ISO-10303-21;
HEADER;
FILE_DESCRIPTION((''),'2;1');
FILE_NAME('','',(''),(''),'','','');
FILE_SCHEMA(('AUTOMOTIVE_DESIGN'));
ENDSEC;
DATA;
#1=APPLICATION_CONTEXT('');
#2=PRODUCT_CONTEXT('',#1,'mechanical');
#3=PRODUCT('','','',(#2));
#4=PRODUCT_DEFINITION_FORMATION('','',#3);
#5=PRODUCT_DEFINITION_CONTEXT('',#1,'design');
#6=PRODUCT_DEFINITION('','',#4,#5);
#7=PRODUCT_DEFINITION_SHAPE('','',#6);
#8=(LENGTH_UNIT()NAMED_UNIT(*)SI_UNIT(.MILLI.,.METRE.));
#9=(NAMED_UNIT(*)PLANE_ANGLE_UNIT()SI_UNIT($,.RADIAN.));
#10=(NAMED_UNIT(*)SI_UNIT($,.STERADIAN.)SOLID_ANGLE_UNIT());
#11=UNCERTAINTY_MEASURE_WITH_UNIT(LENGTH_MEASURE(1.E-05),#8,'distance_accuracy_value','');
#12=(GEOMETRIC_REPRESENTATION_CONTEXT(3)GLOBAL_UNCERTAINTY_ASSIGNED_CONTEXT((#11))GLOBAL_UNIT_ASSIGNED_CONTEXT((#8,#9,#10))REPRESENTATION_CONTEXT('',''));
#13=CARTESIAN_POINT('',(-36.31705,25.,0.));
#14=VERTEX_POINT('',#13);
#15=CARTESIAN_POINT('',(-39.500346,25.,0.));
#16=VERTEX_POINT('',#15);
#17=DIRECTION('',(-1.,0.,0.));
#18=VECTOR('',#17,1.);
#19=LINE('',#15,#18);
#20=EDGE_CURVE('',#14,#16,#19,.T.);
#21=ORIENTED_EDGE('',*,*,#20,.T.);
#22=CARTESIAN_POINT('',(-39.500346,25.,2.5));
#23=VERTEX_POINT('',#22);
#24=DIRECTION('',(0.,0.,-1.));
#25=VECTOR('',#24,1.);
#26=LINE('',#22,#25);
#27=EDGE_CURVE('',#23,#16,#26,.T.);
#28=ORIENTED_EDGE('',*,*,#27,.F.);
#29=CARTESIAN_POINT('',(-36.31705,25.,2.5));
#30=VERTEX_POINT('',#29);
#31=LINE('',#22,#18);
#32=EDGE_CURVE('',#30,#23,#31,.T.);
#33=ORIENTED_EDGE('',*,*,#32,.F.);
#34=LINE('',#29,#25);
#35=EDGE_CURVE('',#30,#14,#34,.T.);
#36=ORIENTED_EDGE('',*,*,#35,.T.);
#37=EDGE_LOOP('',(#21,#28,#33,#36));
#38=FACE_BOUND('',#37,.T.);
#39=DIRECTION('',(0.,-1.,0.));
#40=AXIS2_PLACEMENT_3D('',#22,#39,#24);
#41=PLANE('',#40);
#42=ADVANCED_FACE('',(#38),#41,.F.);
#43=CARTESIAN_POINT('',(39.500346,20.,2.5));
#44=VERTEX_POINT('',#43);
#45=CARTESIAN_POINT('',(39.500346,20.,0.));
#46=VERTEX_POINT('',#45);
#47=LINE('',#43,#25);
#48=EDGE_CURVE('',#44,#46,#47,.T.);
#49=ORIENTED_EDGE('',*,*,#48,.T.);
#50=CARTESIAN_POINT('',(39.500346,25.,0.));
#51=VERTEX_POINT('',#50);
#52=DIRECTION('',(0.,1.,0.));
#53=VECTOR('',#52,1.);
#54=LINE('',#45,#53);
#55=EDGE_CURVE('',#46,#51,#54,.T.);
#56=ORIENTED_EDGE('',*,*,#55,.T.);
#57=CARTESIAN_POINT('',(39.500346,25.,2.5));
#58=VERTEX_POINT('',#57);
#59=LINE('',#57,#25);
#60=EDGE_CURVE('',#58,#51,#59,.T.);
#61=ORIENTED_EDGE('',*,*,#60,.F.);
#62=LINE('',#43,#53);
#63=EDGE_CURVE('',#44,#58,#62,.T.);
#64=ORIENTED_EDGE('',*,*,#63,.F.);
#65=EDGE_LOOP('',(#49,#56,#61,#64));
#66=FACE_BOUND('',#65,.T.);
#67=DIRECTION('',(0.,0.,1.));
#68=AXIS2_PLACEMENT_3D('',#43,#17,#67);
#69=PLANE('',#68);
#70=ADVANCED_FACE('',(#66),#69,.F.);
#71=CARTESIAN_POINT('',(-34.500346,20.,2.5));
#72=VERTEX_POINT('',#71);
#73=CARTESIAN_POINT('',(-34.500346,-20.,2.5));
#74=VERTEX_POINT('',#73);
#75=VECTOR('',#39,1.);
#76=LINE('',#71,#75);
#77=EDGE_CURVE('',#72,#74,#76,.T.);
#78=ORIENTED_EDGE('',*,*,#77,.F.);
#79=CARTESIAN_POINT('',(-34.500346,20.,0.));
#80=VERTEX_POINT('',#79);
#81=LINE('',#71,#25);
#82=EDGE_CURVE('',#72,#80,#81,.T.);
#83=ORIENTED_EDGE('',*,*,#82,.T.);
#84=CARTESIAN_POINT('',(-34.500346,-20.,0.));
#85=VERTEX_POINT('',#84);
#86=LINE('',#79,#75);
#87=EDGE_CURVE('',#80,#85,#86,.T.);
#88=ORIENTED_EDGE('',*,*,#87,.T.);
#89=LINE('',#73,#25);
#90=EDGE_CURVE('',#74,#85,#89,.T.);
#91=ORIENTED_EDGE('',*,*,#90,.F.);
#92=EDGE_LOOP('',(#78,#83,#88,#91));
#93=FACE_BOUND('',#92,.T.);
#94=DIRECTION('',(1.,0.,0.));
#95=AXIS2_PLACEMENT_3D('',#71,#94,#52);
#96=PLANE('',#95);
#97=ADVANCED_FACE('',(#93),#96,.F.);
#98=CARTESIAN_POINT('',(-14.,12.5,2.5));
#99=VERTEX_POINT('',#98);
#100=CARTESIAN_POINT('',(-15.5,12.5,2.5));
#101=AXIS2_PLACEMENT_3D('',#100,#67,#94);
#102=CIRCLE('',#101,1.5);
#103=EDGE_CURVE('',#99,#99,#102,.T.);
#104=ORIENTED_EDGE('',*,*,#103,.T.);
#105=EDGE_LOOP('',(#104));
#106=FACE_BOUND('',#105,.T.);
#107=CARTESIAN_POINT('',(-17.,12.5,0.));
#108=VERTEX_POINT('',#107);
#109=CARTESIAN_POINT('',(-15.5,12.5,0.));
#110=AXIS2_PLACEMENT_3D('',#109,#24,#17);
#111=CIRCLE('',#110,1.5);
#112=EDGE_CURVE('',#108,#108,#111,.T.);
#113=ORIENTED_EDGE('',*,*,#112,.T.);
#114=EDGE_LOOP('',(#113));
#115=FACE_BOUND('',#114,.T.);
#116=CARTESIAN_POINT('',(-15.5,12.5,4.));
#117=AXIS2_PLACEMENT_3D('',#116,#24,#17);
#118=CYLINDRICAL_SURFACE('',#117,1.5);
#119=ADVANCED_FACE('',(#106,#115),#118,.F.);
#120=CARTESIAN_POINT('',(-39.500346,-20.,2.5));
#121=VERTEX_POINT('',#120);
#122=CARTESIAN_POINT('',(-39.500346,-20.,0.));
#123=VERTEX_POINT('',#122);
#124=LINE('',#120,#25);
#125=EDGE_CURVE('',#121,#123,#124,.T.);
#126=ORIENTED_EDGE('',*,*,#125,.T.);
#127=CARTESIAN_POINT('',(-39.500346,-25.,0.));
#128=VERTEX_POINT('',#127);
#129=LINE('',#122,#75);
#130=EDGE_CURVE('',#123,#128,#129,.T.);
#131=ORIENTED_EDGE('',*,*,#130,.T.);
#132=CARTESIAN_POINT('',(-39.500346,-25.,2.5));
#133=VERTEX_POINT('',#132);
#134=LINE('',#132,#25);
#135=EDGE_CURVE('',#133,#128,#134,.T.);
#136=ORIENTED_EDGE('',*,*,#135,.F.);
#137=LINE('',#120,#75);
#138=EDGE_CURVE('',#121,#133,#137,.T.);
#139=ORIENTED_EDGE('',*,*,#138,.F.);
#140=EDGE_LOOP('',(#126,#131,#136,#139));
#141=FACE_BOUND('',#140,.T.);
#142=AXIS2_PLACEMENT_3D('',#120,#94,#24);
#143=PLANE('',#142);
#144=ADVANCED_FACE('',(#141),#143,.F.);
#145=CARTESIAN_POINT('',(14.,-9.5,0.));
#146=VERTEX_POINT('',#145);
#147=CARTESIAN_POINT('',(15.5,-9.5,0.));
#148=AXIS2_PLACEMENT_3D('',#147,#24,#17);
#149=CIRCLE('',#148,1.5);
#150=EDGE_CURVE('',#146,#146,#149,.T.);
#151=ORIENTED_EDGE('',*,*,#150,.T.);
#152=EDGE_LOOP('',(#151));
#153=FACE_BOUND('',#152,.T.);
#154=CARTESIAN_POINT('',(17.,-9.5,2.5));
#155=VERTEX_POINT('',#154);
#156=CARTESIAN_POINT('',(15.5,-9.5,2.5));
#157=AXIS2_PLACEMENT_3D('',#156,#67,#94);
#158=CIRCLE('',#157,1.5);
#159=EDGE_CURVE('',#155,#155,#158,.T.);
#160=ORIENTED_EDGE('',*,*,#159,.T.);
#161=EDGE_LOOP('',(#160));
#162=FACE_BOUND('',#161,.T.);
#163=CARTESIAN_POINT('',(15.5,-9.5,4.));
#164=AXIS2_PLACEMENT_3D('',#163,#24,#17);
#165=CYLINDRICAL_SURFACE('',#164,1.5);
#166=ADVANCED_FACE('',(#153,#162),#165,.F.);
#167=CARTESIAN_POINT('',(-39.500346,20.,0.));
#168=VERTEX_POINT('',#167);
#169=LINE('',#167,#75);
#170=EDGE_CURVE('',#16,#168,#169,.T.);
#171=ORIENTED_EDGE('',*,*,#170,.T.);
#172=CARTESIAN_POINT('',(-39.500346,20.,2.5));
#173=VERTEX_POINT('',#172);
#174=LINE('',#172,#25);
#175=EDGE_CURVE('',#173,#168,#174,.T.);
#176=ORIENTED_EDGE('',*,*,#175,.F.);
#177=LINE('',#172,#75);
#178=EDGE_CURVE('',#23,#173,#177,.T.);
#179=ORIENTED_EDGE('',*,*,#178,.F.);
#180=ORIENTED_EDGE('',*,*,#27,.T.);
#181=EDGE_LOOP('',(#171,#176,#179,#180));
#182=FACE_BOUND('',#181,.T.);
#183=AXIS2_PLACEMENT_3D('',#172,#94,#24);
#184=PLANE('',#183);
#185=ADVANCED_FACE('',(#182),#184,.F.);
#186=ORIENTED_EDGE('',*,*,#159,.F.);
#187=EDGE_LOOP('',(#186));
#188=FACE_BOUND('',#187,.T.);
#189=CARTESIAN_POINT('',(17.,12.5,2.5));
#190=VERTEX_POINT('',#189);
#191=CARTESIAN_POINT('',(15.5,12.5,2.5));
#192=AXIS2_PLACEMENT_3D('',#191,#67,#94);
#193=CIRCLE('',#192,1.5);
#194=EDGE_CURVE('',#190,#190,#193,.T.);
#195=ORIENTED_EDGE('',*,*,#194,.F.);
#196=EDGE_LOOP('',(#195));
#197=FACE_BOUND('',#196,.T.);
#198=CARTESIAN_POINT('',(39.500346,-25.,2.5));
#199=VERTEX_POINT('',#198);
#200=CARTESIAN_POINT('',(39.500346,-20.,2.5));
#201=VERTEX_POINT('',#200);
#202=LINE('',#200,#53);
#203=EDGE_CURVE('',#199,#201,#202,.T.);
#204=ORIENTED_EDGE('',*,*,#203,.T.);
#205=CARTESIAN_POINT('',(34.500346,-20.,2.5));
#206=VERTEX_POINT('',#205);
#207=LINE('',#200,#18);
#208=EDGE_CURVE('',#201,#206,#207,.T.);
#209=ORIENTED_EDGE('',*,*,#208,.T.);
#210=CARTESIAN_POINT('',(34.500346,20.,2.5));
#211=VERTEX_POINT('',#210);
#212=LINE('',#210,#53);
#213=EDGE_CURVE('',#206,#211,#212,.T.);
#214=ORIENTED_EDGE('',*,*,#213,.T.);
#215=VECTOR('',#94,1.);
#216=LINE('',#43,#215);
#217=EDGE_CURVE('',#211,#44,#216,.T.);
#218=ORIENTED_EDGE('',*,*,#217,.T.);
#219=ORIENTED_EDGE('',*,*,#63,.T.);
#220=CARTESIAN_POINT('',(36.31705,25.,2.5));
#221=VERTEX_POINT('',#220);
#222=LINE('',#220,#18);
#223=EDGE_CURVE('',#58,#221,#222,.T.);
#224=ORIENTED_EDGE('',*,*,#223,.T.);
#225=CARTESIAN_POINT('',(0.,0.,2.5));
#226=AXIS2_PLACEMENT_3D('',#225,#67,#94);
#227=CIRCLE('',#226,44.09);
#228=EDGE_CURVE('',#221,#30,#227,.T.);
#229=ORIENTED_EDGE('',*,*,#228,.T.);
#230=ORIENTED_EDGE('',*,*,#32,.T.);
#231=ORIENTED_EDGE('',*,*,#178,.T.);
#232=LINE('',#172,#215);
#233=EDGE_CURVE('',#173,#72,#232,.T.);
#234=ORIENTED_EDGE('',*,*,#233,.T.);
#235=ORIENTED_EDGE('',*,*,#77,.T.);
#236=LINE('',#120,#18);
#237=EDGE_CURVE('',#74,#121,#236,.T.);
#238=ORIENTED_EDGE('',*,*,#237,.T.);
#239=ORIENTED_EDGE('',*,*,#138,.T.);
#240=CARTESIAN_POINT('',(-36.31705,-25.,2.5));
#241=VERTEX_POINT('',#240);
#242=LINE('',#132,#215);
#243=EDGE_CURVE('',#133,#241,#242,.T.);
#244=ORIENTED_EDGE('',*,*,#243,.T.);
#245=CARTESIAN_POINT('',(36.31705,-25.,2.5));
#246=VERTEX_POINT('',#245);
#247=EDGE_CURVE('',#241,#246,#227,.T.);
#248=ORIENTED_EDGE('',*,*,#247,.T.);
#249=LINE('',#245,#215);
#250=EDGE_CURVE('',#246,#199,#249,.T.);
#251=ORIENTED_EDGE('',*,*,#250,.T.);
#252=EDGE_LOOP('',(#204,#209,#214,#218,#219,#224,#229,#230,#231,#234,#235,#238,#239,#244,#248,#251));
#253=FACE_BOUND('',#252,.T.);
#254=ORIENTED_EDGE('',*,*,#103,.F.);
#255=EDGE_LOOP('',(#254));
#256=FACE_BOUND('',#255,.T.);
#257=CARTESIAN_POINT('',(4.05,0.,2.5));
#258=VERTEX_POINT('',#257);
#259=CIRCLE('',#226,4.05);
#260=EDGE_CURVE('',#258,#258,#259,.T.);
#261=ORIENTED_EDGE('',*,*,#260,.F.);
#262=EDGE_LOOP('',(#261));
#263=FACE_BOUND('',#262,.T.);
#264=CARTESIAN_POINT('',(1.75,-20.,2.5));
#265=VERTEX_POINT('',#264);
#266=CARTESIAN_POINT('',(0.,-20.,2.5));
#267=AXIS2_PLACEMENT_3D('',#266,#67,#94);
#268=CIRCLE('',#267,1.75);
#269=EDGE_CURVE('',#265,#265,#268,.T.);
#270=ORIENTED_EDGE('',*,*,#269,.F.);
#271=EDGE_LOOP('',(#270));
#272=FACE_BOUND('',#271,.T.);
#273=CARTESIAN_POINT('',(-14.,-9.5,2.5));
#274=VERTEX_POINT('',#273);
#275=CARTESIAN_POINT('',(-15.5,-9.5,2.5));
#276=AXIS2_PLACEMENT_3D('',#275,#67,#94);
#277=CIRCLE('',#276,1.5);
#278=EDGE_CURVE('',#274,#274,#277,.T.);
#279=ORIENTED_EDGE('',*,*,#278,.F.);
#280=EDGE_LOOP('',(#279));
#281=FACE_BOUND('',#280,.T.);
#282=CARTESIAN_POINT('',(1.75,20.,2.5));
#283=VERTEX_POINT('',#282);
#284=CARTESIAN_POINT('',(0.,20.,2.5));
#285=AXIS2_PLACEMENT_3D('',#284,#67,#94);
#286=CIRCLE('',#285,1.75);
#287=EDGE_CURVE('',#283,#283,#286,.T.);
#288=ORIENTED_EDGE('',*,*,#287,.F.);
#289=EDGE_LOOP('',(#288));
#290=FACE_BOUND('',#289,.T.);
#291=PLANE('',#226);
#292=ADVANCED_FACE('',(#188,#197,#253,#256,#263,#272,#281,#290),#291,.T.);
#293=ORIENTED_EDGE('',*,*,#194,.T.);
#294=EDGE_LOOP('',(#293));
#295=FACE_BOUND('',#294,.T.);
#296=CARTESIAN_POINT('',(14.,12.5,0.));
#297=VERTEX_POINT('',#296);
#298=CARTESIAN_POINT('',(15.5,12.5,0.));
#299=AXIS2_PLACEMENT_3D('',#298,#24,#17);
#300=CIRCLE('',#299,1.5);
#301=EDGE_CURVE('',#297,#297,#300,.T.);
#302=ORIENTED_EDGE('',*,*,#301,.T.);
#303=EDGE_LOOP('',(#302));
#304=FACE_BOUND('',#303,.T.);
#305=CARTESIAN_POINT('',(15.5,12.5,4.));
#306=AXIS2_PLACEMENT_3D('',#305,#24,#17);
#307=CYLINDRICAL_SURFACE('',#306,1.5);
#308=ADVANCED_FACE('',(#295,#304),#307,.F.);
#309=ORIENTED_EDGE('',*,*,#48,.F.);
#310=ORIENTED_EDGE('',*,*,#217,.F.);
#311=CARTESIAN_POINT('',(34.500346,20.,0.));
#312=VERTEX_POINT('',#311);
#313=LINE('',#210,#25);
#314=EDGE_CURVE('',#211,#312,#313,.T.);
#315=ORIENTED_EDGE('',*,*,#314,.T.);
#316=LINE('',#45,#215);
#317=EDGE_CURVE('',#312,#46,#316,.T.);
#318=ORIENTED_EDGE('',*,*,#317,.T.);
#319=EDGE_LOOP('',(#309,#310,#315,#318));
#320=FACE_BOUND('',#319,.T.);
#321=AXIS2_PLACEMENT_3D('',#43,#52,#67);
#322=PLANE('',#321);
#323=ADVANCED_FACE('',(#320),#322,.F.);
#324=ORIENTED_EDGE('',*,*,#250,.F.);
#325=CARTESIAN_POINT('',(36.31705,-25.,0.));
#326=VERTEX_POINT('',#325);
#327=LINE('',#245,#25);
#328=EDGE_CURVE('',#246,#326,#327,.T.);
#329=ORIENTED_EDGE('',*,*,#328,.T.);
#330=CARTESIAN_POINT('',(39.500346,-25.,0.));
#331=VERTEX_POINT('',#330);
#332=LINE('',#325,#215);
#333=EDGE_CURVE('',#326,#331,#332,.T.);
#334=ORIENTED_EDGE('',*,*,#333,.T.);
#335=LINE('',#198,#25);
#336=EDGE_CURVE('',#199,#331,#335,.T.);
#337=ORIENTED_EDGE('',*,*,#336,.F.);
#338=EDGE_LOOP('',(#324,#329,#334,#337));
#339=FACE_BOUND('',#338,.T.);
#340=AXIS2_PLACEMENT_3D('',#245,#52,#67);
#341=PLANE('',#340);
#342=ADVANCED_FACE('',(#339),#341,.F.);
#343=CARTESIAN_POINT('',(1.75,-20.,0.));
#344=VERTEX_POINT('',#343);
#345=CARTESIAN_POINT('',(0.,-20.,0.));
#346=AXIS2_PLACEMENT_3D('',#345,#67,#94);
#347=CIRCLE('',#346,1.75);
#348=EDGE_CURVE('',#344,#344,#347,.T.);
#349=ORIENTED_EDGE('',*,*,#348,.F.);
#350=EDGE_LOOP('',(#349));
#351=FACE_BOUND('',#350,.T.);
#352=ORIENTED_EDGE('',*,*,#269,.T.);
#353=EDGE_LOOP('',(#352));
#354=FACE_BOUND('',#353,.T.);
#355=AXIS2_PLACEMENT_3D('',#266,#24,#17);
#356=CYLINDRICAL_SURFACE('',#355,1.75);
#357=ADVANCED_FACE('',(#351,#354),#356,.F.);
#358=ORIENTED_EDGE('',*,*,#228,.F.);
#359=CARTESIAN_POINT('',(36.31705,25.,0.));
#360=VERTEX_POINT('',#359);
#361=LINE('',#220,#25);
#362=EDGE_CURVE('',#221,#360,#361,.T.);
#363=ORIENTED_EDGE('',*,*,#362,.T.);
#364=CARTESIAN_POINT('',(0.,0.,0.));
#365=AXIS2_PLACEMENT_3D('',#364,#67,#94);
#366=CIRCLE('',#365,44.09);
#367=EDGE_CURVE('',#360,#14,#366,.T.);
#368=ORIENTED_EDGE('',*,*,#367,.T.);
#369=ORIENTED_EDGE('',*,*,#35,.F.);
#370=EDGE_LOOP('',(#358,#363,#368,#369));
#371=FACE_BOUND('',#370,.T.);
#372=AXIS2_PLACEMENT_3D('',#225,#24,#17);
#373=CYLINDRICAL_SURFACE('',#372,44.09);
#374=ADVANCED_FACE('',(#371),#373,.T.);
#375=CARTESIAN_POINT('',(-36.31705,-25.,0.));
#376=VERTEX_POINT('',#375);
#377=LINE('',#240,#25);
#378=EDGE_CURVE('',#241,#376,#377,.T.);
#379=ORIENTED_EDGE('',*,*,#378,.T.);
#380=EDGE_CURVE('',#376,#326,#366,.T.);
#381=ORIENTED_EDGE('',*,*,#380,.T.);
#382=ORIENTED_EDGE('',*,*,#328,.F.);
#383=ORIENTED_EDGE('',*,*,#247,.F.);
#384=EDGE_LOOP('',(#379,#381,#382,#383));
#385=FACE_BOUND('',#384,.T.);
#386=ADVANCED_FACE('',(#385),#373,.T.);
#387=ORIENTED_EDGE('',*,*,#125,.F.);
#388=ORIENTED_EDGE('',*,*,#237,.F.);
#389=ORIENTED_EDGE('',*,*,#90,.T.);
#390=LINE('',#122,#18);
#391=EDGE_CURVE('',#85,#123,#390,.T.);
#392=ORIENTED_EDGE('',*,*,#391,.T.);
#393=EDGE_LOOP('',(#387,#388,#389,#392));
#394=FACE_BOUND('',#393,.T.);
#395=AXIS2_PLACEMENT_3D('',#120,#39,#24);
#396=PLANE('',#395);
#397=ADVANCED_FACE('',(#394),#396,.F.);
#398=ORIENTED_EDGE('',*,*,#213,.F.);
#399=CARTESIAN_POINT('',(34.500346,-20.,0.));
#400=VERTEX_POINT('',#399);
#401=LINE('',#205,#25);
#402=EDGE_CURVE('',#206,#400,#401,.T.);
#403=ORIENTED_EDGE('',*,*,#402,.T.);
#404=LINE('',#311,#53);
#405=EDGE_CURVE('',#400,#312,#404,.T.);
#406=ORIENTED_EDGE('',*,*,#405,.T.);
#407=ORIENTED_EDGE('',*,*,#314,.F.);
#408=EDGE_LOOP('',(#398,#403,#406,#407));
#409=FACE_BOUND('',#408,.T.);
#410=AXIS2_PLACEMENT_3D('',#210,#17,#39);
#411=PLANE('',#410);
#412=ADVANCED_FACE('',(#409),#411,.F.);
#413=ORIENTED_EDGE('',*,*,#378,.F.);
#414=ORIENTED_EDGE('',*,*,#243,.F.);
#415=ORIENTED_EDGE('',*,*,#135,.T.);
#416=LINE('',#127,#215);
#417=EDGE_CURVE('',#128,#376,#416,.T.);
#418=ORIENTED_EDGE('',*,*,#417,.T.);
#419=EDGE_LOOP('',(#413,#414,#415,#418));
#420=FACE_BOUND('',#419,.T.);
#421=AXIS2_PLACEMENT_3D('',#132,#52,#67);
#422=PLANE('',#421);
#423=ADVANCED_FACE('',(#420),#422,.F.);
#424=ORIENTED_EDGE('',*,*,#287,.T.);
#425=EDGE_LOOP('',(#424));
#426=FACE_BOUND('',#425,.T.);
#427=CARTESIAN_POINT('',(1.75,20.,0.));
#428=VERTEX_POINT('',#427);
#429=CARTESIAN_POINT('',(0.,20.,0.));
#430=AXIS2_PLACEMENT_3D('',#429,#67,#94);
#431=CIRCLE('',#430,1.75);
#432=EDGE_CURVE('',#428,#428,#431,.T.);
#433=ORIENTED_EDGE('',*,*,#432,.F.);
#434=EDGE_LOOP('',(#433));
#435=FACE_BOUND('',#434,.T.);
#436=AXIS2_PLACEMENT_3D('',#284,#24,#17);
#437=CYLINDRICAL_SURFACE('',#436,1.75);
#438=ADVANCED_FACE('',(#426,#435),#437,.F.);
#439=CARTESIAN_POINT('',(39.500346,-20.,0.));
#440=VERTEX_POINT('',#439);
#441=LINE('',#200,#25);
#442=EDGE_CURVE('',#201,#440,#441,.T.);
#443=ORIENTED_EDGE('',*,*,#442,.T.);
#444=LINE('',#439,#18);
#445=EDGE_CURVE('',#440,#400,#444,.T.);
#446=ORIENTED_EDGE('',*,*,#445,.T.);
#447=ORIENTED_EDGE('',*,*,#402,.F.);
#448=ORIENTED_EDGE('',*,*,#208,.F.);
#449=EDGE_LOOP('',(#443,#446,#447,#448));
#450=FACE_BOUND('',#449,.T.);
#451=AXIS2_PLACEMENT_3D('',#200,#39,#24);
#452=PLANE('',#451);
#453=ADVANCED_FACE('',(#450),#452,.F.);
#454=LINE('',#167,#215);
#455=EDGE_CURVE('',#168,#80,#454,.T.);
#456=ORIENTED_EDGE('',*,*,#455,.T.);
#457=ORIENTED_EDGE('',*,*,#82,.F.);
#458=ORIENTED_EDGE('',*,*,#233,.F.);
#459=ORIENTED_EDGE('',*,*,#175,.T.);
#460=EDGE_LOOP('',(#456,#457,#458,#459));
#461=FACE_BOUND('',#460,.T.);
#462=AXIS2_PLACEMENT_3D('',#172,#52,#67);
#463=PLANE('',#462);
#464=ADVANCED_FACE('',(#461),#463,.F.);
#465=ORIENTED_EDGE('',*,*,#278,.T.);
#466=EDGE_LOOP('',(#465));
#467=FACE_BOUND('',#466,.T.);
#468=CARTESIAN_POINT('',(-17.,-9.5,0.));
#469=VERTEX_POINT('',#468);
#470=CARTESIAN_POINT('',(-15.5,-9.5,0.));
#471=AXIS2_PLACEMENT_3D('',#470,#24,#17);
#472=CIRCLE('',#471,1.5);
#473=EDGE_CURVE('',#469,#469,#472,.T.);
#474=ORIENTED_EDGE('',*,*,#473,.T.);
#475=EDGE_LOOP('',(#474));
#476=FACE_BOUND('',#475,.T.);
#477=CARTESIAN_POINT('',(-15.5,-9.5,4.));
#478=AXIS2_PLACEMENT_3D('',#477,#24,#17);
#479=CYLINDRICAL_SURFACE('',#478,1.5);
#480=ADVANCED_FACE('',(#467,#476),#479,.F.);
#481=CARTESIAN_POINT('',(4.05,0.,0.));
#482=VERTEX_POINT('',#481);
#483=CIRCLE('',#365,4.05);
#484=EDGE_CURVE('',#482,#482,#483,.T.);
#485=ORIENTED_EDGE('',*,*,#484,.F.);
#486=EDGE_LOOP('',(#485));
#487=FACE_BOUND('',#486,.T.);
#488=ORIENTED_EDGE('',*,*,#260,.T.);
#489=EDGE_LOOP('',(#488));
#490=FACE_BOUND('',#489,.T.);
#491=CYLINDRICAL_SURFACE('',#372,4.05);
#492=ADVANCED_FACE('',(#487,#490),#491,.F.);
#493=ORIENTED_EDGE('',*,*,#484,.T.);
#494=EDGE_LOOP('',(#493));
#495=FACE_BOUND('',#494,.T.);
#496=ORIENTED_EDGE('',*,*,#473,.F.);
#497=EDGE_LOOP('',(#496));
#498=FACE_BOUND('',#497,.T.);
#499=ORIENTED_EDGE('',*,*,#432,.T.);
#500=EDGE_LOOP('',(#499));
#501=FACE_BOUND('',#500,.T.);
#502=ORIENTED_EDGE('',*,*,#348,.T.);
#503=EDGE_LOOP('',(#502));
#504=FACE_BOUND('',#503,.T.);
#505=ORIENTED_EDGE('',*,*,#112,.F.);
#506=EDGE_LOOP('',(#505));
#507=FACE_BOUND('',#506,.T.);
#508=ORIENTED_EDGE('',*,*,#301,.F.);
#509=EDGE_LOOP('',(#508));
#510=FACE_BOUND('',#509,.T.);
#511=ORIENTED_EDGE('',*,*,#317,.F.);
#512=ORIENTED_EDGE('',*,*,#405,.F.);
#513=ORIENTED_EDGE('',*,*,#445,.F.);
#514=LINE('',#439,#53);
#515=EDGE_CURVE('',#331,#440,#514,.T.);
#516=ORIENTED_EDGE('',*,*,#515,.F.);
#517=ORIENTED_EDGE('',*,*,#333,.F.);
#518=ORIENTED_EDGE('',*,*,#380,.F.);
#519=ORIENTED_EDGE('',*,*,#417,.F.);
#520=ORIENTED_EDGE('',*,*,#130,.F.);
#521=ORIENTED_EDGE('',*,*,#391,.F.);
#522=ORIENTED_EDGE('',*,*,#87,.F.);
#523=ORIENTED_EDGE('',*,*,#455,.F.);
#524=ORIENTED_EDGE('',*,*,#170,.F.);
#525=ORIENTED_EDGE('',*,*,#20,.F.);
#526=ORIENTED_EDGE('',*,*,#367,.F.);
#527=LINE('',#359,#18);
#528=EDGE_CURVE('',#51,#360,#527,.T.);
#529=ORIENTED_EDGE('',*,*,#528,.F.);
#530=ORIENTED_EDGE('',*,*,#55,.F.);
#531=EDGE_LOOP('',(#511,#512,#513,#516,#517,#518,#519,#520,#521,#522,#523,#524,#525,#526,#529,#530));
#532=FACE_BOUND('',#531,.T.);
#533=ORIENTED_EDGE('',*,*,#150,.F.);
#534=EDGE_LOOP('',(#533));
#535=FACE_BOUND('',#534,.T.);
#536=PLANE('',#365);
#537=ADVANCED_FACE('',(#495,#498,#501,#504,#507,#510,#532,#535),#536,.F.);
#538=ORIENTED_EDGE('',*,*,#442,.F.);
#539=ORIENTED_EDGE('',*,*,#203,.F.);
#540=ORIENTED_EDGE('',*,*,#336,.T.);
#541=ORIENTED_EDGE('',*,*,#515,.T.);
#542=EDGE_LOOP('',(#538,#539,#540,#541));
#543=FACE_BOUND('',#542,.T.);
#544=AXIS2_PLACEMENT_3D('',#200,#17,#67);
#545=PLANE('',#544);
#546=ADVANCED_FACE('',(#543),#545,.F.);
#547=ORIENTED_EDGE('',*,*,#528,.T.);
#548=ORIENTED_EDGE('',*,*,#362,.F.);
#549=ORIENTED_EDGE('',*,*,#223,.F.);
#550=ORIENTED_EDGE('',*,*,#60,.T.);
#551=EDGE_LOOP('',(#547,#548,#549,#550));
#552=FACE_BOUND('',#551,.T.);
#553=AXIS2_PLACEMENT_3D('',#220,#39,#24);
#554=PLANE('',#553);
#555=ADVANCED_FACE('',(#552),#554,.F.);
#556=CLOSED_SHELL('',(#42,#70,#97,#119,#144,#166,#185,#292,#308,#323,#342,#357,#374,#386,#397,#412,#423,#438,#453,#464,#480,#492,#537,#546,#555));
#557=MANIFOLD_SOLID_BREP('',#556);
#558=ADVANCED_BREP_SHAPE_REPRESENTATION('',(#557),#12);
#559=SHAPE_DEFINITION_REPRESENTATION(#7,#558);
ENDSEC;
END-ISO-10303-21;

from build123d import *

# Parameters (mm, degrees)
CROQUIS1_R              = 4.05
CROQUIS1_R_2            = 1.75
SALIENTE_EXTRUIR1_DEPTH = 2.5
CROQUIS2_R              = 1.5
CORTAR_EXTRUIR1_DEPTH   = 4


with BuildPart() as part:
    # Croquis1 → Saliente-Extruir1 (new body)
    with BuildSketch(Plane.XY):
        with BuildLine():
            Line((-39.500346279, 20), (-34.500346279, 20))
            Line((-34.500346279, 20), (-34.500346279, -20))
            Line((-34.500346279, -20), (-39.500346279, -20))
            Line((-39.500346279, -20), (-39.500346279, -25))
            Line((-39.500346279, -25), (-36.317049715, -25))
            ThreePointArc((-36.317049715, -25), (0, -44.09), (36.317049715, -25))
            Line((36.317049715, -25), (39.500346279, -25))
            Line((39.500346279, -25), (39.500346279, -20))
            Line((39.500346279, -20), (34.500346279, -20))
            Line((34.500346279, -20), (34.500346279, 20))
            Line((34.500346279, 20), (39.500346279, 20))
            Line((39.500346279, 20), (39.500346279, 25))
            Line((39.500346279, 25), (36.317049715, 25))
            ThreePointArc((36.317049715, 25), (0, 44.09), (-36.317049715, 25))
            Line((-36.317049715, 25), (-39.500346279, 25))
            Line((-39.500346279, 25), (-39.500346279, 20))
        make_face()
        Circle(CROQUIS1_R, mode=Mode.SUBTRACT)
        with Locations((0, 20)):
            Circle(CROQUIS1_R_2, mode=Mode.SUBTRACT)
        with Locations((0, -20)):
            Circle(CROQUIS1_R_2, mode=Mode.SUBTRACT)
    extrude(amount=SALIENTE_EXTRUIR1_DEPTH)

    # Croquis2 → Cortar-Extruir1 (cut)
    with BuildSketch(Plane(origin=(0, 0, 0), x_dir=(-1, 0, 0), z_dir=(0, 0, -1))):
        with Locations((15.5, -9.5)):
            Circle(CROQUIS2_R)
        with Locations((15.5, 12.5)):
            Circle(CROQUIS2_R)
        with Locations((-15.5, 12.5)):
            Circle(CROQUIS2_R)
        with Locations((-15.5, -9.5)):
            Circle(CROQUIS2_R)
    extrude(amount=-CORTAR_EXTRUIR1_DEPTH, mode=Mode.SUBTRACT)


solid = part.part
